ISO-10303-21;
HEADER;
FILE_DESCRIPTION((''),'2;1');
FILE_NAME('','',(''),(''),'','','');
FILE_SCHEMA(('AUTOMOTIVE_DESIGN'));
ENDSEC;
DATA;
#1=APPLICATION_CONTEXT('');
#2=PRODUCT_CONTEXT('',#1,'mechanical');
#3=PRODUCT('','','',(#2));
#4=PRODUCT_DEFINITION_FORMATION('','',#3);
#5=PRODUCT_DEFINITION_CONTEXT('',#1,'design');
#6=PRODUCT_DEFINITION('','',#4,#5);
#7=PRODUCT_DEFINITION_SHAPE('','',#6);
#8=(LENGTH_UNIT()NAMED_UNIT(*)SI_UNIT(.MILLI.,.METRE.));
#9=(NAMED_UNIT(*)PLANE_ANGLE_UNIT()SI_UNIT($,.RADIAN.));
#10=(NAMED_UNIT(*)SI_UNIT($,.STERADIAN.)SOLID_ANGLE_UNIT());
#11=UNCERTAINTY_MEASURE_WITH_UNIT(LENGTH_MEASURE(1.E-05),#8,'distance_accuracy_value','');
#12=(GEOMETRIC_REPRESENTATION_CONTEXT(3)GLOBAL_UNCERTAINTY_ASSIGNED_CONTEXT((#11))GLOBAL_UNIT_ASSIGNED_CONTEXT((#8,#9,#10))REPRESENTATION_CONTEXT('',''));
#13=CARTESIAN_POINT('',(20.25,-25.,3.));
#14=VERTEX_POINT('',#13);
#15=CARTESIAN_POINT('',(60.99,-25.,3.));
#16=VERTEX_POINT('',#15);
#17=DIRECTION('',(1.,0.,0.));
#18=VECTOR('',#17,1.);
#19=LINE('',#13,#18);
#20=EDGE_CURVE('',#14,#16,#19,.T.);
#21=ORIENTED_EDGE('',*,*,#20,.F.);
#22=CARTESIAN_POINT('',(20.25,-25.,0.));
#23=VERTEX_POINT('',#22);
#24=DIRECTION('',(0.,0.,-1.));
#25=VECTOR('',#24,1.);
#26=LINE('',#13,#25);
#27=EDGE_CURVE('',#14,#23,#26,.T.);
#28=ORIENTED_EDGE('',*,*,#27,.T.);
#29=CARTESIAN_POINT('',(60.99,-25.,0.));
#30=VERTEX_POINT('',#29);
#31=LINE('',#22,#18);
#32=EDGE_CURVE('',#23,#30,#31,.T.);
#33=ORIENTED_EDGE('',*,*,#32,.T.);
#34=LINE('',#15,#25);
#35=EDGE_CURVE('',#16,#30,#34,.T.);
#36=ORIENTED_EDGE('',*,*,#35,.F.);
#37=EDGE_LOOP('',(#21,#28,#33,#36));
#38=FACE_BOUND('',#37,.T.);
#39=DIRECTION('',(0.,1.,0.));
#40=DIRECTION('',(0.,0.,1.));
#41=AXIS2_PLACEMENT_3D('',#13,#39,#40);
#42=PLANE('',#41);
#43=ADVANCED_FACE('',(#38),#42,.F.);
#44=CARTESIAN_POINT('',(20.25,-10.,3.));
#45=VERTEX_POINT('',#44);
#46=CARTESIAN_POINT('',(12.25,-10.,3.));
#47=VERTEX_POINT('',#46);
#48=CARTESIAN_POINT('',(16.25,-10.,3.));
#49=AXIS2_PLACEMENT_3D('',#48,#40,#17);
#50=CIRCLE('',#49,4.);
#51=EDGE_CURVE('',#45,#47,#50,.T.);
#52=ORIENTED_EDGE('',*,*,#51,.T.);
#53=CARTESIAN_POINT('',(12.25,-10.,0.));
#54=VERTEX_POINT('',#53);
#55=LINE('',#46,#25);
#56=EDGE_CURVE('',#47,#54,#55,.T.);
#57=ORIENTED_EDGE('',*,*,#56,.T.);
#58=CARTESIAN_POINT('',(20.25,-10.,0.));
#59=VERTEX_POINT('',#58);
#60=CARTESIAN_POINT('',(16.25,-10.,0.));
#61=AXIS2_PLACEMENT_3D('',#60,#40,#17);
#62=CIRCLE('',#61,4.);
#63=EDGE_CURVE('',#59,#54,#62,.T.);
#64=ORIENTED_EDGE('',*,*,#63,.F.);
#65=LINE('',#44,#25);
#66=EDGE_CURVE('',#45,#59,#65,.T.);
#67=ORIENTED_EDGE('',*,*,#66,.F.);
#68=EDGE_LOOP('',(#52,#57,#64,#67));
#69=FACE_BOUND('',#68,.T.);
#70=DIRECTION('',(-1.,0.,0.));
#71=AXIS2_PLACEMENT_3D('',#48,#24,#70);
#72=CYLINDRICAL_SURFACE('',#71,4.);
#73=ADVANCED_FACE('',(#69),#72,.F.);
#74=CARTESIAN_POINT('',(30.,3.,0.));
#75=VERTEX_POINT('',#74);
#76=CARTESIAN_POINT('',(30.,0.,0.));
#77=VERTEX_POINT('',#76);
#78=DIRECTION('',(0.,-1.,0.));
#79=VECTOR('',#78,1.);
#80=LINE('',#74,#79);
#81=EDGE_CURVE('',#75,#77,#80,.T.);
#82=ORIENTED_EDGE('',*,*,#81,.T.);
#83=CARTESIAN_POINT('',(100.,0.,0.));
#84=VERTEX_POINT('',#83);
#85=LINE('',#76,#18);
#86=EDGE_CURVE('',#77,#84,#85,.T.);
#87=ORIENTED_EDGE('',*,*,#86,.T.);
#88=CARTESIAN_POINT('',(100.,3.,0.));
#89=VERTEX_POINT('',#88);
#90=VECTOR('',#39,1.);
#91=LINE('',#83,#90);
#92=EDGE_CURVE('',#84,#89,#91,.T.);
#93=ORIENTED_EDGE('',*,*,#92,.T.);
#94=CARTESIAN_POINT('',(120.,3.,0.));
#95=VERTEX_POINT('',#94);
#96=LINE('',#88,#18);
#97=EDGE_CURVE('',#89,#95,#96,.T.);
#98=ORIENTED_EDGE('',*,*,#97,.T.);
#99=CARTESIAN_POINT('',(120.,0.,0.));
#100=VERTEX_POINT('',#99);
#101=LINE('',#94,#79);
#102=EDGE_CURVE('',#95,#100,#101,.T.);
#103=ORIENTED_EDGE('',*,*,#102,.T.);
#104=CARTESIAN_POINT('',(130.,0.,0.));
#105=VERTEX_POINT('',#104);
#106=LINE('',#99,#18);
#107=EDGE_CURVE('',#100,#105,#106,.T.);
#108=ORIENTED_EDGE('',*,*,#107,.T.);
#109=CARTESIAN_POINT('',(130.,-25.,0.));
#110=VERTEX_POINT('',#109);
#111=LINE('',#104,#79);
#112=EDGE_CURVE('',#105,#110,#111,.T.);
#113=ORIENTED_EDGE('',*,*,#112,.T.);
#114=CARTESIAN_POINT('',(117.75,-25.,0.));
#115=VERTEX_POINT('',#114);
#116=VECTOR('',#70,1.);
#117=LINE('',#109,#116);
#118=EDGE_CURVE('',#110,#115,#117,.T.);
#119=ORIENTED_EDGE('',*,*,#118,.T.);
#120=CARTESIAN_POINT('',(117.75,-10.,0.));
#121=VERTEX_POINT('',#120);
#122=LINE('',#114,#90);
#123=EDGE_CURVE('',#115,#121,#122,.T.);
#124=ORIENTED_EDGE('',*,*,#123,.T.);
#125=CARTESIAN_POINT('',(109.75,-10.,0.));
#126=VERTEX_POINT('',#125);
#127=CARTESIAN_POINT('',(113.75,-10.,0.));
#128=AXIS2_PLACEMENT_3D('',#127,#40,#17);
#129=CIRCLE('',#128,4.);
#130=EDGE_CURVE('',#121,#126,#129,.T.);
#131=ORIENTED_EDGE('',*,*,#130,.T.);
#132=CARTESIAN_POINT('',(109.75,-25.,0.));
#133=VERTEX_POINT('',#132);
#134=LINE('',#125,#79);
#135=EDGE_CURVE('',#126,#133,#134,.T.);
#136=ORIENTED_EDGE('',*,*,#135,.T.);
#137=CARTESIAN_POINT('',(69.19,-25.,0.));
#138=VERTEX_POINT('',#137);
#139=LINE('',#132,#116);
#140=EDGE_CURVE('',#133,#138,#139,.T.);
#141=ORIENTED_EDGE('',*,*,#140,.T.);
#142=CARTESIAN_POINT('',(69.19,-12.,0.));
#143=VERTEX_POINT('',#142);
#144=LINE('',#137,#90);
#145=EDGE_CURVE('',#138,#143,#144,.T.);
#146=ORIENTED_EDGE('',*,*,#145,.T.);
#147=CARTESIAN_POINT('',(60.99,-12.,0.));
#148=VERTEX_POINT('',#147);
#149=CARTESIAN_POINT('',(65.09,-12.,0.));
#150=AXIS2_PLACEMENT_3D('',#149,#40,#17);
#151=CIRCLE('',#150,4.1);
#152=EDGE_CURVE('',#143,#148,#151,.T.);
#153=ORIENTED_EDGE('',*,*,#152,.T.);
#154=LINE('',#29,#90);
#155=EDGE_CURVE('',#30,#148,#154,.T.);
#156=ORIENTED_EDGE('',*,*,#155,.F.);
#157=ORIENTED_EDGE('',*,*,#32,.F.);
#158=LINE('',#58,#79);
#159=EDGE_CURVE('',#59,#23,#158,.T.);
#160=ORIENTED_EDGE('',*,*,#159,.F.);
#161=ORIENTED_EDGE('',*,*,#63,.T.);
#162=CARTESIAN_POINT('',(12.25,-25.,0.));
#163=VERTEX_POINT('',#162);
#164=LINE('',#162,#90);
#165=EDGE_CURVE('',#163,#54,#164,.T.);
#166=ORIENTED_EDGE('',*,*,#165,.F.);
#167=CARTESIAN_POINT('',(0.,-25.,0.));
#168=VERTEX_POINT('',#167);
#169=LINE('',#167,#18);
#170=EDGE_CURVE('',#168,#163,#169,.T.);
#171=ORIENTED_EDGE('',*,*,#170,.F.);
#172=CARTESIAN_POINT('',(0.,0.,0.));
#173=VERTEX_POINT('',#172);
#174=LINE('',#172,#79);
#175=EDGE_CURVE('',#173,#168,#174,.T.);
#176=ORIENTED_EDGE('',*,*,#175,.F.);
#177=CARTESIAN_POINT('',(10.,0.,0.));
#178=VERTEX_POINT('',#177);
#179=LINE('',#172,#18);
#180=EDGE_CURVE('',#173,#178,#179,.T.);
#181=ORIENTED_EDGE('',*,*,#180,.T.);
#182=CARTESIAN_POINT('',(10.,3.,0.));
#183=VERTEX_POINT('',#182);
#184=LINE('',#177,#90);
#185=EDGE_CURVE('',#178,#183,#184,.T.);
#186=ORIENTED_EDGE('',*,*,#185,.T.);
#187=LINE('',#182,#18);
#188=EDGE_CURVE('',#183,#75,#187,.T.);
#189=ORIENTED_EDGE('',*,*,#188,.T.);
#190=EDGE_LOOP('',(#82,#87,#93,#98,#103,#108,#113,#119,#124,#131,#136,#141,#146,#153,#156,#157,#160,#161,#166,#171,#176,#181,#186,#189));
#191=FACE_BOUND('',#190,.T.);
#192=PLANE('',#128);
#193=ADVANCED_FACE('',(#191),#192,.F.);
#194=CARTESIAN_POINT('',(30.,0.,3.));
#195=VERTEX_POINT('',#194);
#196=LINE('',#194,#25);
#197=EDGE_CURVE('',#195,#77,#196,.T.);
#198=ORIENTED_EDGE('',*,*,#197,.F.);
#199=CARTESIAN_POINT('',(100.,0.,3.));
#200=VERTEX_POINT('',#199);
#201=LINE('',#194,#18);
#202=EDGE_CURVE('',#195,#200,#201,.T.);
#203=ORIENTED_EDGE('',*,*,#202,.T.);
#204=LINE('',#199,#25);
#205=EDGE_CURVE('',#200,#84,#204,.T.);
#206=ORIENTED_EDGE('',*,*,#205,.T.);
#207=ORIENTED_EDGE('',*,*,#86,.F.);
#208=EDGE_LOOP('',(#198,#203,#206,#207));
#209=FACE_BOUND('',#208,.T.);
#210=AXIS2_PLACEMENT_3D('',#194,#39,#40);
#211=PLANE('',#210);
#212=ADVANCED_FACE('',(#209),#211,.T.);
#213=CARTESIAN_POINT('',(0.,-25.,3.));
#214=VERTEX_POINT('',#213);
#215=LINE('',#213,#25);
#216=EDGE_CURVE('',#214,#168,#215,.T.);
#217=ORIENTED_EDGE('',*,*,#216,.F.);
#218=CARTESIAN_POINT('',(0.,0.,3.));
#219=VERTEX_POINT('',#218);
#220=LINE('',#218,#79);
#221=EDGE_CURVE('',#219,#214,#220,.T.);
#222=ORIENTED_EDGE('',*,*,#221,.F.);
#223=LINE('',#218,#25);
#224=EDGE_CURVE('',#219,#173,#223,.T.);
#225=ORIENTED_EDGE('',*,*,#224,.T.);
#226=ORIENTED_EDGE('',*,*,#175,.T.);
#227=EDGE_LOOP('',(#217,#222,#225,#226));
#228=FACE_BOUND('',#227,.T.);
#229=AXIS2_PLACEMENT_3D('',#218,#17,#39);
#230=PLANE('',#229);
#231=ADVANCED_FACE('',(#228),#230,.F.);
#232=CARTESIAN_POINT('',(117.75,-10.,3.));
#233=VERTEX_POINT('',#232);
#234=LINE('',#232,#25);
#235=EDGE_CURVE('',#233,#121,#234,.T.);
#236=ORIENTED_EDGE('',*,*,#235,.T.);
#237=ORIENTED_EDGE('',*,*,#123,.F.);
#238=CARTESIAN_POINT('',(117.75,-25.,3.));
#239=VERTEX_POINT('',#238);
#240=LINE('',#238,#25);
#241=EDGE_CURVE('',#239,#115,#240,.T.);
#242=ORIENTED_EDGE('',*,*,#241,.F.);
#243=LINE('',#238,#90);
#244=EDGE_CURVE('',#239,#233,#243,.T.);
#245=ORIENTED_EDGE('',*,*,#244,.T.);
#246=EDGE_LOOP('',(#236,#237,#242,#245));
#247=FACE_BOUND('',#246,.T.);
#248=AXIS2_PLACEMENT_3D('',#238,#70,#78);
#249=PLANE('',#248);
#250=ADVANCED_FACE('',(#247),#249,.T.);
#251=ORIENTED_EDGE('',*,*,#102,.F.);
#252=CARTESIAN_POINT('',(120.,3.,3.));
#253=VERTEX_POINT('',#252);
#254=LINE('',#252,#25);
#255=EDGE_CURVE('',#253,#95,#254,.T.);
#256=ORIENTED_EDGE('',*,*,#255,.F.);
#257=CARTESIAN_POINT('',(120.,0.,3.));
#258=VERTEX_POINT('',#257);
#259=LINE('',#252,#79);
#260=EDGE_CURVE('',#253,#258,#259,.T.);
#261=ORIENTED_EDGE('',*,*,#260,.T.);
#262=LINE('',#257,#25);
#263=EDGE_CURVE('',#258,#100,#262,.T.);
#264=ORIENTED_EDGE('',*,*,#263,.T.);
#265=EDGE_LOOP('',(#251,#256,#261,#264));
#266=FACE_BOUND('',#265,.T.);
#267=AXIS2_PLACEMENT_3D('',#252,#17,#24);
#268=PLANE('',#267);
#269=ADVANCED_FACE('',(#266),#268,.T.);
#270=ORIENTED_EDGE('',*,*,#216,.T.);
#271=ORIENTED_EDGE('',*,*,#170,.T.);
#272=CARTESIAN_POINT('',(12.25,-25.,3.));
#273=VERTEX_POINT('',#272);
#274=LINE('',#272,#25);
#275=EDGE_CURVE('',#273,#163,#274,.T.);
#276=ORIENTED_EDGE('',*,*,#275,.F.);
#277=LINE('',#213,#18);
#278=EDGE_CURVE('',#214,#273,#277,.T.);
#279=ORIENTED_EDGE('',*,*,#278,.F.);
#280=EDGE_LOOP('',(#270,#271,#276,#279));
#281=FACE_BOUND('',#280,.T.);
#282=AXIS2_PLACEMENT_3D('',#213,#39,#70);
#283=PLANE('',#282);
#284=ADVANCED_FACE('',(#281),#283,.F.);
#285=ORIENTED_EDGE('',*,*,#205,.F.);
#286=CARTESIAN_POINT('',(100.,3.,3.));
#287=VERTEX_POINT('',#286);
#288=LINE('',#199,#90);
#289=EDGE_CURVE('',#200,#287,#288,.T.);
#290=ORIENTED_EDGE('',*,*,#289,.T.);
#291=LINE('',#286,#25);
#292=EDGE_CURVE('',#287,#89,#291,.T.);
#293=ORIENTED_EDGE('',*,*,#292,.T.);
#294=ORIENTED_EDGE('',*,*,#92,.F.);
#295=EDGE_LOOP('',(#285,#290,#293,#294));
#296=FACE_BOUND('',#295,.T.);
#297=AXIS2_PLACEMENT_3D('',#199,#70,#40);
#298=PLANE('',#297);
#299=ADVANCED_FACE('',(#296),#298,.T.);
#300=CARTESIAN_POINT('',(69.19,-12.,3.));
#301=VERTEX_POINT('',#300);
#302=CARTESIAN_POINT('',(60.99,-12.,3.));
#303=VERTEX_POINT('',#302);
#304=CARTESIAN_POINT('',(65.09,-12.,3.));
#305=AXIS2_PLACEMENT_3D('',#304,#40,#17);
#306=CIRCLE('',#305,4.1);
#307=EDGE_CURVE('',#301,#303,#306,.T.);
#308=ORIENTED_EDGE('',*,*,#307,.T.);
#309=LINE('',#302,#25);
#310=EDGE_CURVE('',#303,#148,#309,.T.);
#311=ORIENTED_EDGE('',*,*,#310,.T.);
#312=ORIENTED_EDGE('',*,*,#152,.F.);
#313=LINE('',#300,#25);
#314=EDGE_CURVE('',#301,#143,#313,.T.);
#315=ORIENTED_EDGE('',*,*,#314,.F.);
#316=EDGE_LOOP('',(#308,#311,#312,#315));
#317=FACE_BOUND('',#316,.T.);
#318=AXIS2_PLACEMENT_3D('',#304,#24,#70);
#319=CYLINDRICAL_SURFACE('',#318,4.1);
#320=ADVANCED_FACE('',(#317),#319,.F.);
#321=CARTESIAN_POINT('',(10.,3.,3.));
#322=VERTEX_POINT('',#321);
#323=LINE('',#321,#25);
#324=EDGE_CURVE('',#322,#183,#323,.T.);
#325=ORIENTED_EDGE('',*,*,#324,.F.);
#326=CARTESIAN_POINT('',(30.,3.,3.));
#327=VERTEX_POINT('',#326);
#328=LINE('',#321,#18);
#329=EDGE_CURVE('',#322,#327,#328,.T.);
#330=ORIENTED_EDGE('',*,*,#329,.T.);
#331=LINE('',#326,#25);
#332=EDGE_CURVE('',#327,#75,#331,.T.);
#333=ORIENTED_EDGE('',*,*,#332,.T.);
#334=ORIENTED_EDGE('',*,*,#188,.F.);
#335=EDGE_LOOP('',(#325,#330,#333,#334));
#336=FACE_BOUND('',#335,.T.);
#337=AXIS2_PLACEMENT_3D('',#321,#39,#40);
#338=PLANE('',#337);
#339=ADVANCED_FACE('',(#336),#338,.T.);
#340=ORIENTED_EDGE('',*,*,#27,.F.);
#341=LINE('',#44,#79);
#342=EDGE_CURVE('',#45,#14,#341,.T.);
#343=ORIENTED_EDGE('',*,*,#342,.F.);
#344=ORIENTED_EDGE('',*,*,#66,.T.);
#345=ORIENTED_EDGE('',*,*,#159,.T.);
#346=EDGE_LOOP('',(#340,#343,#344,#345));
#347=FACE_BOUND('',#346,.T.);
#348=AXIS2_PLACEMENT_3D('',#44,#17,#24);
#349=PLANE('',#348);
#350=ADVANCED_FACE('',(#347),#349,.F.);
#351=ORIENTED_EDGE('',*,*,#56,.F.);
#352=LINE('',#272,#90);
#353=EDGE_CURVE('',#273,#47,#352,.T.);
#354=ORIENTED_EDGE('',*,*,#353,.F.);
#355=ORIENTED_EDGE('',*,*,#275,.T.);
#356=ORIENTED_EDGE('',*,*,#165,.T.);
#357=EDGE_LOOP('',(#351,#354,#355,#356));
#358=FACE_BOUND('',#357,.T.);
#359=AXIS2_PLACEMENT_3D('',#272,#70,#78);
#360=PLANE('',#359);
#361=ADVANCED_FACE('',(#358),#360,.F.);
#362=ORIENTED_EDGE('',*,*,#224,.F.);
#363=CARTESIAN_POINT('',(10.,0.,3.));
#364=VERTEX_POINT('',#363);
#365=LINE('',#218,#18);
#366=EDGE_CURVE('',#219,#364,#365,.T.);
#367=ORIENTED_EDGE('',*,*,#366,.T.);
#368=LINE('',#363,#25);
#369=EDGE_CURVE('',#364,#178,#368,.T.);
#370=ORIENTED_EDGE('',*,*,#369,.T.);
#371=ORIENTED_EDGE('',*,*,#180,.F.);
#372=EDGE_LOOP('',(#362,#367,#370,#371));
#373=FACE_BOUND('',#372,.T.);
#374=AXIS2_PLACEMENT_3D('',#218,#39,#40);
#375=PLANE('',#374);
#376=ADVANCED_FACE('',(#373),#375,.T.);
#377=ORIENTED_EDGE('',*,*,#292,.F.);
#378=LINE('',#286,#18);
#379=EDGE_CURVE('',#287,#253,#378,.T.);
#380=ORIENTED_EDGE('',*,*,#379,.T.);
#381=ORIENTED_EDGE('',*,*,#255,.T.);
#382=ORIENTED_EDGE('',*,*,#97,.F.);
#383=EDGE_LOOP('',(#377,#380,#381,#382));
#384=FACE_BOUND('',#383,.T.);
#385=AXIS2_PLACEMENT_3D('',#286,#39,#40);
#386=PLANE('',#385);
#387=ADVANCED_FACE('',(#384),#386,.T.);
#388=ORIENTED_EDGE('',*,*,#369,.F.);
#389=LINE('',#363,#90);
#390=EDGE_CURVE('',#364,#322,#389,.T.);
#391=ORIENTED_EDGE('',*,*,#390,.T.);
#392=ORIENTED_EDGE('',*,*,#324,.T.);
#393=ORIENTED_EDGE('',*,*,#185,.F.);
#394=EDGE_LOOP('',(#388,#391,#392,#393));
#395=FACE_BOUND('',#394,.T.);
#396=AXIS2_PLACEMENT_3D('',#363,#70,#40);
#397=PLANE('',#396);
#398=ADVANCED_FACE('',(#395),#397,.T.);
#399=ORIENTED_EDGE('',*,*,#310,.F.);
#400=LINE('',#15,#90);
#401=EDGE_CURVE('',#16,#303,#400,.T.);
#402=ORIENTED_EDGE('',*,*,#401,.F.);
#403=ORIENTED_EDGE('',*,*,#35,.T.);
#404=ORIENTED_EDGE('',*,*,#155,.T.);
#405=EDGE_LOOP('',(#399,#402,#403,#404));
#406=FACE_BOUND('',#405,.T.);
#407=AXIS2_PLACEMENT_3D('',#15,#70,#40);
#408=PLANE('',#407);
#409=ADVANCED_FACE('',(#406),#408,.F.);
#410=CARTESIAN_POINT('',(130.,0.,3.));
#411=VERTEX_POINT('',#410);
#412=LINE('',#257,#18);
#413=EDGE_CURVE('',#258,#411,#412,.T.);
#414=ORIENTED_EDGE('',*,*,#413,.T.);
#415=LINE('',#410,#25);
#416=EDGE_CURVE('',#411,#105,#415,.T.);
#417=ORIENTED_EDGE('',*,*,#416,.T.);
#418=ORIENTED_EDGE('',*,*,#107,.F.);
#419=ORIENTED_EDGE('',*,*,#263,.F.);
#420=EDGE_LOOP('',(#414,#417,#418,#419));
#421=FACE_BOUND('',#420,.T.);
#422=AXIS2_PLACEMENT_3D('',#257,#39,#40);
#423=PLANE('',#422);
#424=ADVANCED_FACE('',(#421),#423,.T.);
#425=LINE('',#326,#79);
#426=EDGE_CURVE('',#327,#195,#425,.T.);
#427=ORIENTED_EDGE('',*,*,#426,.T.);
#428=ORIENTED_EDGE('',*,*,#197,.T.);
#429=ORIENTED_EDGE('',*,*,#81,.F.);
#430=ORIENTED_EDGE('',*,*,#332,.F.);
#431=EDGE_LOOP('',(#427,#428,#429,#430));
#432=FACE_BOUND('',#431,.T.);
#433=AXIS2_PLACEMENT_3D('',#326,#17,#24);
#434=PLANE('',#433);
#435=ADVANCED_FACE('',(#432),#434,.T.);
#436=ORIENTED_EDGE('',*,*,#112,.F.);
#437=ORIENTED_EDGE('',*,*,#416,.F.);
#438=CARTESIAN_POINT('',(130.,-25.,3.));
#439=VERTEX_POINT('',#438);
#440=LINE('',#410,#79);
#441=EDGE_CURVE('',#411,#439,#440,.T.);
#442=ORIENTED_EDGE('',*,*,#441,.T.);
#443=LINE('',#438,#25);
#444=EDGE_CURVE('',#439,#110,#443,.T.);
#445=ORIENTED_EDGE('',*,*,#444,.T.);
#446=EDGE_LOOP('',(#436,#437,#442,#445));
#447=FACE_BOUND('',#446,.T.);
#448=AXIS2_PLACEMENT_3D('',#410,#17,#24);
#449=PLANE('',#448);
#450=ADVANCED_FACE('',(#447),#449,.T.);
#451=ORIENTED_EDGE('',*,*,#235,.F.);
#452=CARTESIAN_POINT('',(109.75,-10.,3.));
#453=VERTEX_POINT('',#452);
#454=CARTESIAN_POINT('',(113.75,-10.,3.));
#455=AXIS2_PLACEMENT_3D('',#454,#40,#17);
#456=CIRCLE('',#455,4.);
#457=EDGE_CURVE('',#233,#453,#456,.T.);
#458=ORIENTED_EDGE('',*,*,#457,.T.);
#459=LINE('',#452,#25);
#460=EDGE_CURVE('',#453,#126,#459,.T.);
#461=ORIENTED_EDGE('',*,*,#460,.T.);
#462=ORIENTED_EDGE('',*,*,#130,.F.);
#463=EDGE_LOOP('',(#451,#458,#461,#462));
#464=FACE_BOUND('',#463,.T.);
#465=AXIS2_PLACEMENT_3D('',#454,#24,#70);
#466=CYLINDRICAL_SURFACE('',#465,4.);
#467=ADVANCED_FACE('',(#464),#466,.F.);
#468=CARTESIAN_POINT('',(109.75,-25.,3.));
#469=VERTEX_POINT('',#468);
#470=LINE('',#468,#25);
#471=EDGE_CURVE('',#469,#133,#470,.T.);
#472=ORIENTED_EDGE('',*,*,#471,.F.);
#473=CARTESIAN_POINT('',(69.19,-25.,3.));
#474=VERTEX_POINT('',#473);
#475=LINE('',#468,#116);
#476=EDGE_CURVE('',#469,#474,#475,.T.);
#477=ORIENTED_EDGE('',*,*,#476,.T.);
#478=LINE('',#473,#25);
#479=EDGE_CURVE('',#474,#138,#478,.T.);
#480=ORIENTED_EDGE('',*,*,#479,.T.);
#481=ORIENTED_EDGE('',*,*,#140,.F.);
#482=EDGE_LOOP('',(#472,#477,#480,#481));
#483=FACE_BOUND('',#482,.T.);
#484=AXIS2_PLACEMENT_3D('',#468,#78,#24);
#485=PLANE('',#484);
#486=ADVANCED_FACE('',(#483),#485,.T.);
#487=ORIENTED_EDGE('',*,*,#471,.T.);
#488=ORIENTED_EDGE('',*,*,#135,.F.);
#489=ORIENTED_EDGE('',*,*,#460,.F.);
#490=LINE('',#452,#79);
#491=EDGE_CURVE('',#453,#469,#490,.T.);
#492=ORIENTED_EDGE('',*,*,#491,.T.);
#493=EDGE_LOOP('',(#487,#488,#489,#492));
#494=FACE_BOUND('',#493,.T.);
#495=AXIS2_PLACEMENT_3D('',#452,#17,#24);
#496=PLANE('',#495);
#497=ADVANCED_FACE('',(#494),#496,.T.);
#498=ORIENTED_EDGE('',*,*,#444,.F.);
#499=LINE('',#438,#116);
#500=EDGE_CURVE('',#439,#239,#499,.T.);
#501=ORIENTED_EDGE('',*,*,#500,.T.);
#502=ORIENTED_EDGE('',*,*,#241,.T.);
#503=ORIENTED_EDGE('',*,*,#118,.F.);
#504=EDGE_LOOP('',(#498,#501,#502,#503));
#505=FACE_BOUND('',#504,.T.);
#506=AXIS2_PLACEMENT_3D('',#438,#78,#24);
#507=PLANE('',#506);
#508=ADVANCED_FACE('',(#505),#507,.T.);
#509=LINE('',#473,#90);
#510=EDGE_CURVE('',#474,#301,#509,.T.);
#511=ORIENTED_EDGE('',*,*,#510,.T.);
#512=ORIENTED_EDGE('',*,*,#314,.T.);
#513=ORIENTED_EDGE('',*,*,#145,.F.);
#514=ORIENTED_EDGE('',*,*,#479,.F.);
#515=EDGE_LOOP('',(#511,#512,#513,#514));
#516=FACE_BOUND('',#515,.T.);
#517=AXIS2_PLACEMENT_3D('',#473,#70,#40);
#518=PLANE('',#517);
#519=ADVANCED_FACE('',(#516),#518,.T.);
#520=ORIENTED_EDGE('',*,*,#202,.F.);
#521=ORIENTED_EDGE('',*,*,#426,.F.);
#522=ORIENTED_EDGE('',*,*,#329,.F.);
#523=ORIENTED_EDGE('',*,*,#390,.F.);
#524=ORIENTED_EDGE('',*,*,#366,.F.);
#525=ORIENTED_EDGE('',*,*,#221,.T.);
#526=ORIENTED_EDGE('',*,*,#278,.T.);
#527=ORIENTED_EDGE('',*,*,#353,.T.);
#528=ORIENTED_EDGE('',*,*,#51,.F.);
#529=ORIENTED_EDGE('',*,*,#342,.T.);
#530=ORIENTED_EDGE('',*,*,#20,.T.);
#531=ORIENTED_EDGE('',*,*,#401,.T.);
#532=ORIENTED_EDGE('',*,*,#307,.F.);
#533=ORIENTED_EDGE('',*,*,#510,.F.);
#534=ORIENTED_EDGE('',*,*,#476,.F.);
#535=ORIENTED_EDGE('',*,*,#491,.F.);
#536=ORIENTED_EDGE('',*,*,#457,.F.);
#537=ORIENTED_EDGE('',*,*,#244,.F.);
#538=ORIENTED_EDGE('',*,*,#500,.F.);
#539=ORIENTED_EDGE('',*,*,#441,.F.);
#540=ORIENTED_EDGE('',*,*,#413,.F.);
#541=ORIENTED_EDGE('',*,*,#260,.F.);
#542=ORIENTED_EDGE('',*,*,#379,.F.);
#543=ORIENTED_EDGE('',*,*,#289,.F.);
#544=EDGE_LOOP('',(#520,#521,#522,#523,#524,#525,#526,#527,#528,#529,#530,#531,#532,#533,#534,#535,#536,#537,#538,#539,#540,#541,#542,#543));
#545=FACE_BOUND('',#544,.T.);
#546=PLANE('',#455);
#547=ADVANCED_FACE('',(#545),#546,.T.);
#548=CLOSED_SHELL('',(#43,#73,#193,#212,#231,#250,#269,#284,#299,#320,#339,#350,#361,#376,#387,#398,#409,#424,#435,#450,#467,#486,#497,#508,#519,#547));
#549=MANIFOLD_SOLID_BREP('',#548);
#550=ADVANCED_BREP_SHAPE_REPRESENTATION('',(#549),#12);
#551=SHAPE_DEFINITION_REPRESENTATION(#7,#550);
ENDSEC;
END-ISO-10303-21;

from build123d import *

# Parameters (mm, degrees)
BOSS_EXTRUDE1_DEPTH = 3


with BuildPart() as part:
    # Sketch1 → Boss-Extrude1 (new body)
    with BuildSketch(Plane.XY):
        with BuildLine():
            Line((0, 0), (10, 0))
            Line((10, 0), (10, 3))
            Line((10, 3), (30, 3))
            Line((30, 3), (30, 0))
            Line((30, 0), (100, 0))
            Line((100, 0), (100, 3))
            Line((100, 3), (120, 3))
            Line((120, 3), (120, 0))
            Line((120, 0), (130, 0))
            Line((130, 0), (130, -25))
            Line((130, -25), (117.75, -25))
            Line((117.75, -25), (117.75, -10))
            ThreePointArc((117.75, -10), (113.75, -6), (109.75, -10))
            Line((109.75, -10), (109.75, -25))
            Line((109.75, -25), (69.19, -25))
            Line((69.19, -25), (69.19, -12))
            ThreePointArc((69.19, -12), (65.09, -7.9), (60.99, -12))
            Line((60.99, -12), (60.99, -25))
            Line((60.99, -25), (20.25, -25))
            Line((20.25, -25), (20.25, -10))
            ThreePointArc((20.25, -10), (16.25, -6), (12.25, -10))
            Line((12.25, -10), (12.25, -25))
            Line((12.25, -25), (0, -25))
            Line((0, -25), (0, 0))
        make_face()
    extrude(amount=BOSS_EXTRUDE1_DEPTH)


solid = part.part
